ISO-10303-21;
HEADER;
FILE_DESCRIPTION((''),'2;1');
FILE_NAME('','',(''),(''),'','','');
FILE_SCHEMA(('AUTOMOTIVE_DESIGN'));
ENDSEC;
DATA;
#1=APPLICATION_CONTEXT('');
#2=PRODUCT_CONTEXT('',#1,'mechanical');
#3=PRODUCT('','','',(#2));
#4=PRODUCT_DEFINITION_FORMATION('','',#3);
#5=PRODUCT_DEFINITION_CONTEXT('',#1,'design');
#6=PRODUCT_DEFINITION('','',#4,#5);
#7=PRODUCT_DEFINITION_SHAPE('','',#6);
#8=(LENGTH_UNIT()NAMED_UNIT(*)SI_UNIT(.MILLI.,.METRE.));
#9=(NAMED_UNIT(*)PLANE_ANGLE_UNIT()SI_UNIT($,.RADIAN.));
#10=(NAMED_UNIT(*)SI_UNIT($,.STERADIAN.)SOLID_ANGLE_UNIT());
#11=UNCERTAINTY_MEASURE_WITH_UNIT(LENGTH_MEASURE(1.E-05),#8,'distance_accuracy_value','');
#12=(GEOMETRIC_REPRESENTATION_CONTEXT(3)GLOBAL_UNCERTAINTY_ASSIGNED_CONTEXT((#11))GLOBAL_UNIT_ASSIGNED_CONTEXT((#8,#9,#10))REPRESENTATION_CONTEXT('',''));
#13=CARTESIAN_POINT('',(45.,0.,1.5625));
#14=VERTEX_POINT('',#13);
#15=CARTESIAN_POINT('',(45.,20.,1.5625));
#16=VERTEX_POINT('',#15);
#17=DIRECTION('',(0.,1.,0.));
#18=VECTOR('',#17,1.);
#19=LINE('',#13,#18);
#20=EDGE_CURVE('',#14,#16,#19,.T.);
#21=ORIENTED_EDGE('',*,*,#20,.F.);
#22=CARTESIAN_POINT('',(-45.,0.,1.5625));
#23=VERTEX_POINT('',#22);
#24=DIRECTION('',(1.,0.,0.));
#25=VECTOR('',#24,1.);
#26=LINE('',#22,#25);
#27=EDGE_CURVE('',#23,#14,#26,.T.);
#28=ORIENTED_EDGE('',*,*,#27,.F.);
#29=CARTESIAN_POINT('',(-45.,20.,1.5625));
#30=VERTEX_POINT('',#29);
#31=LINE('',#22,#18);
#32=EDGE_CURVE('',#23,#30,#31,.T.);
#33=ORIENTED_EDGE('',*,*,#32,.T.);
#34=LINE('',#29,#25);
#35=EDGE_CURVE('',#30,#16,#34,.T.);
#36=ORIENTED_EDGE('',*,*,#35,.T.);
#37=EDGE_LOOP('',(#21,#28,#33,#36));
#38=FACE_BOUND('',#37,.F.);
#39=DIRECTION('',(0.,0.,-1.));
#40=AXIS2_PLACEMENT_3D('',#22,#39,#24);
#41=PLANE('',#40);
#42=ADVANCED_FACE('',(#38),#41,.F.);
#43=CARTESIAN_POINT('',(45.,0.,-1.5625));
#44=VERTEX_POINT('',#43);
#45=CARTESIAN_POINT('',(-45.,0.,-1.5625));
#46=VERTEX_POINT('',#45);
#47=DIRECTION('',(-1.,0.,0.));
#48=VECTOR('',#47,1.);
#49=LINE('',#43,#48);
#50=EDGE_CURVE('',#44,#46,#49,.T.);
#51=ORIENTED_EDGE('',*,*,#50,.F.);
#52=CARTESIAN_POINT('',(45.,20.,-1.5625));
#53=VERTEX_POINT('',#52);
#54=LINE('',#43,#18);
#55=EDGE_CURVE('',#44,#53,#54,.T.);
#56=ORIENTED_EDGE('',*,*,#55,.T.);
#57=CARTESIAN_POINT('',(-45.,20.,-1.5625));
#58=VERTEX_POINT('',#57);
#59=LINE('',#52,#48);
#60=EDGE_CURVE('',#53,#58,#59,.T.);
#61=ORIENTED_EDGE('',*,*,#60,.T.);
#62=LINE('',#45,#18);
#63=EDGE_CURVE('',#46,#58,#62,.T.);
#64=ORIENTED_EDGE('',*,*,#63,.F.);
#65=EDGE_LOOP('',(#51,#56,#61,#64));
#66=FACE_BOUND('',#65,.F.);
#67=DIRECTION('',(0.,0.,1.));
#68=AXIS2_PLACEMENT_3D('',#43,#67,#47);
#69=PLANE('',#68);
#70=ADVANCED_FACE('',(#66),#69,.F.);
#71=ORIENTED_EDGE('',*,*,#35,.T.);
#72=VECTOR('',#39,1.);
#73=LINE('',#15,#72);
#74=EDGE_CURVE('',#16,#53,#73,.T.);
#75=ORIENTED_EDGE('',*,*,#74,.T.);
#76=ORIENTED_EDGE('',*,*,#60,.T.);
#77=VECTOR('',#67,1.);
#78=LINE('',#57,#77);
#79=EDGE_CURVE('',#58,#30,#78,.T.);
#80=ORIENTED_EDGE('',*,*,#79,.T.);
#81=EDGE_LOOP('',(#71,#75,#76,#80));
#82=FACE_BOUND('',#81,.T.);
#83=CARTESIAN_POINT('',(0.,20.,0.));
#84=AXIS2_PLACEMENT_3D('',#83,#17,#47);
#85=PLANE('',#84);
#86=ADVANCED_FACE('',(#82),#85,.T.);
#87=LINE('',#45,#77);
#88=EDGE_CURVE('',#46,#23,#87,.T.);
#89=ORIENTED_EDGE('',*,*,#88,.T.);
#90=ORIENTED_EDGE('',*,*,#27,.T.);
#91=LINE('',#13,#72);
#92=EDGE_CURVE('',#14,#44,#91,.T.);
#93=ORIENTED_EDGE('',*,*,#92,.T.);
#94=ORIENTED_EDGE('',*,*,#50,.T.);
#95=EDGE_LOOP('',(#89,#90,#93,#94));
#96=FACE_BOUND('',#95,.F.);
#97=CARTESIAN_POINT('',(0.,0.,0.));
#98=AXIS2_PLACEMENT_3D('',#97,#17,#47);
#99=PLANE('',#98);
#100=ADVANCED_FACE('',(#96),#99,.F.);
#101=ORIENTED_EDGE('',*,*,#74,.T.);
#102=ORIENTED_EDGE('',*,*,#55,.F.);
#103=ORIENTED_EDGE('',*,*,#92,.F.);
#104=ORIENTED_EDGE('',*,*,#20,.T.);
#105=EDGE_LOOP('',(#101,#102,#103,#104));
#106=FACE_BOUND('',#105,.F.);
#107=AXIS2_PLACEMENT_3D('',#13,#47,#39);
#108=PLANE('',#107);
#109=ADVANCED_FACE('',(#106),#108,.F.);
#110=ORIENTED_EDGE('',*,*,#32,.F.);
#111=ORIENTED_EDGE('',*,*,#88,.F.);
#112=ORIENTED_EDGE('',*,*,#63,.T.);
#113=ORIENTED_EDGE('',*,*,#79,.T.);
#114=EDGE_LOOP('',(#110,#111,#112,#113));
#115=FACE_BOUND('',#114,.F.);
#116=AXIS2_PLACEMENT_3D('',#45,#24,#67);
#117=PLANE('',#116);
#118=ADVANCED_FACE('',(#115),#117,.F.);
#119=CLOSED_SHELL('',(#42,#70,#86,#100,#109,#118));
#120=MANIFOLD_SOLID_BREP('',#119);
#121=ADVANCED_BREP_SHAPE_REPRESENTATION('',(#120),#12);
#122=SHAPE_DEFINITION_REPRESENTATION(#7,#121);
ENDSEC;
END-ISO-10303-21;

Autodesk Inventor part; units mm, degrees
ref_plane "YZ Plane" through (0, 0, 0) normal (1, 0, 0) x (0, 1, 0)
ref_plane "XZ Plane" through (0, 0, 0) normal (0, 1, 0) x (-1, 0, 0)
ref_plane "XY Plane" through (0, 0, 0) normal (0, 0, 1) x (1, 0, 0)
sketch "Sketch1" plane through (0, 0, 0) normal (0, 1, 0) x (-1, 0, 0)
  line L0 (45, 1.5625) -> (-45, 1.5625)
  line L1 (-45, 1.5625) -> (-45, -1.5625)
  line L2 (-45, -1.5625) -> (45, -1.5625)
  line L3 (45, -1.5625) -> (45, 1.5625)
  line L4 (45, 1.5625) -> (-45, -1.5625) construction
  line L5 (-45, 1.5625) -> (45, -1.5625) construction
  point P0 (0, 0)
  dimension "d0" = 90
  dimension "d1" = 3.125
extrude "Extrusion1" add sketch "Sketch1" along normal blind 20
properties part number "Portabateria"
